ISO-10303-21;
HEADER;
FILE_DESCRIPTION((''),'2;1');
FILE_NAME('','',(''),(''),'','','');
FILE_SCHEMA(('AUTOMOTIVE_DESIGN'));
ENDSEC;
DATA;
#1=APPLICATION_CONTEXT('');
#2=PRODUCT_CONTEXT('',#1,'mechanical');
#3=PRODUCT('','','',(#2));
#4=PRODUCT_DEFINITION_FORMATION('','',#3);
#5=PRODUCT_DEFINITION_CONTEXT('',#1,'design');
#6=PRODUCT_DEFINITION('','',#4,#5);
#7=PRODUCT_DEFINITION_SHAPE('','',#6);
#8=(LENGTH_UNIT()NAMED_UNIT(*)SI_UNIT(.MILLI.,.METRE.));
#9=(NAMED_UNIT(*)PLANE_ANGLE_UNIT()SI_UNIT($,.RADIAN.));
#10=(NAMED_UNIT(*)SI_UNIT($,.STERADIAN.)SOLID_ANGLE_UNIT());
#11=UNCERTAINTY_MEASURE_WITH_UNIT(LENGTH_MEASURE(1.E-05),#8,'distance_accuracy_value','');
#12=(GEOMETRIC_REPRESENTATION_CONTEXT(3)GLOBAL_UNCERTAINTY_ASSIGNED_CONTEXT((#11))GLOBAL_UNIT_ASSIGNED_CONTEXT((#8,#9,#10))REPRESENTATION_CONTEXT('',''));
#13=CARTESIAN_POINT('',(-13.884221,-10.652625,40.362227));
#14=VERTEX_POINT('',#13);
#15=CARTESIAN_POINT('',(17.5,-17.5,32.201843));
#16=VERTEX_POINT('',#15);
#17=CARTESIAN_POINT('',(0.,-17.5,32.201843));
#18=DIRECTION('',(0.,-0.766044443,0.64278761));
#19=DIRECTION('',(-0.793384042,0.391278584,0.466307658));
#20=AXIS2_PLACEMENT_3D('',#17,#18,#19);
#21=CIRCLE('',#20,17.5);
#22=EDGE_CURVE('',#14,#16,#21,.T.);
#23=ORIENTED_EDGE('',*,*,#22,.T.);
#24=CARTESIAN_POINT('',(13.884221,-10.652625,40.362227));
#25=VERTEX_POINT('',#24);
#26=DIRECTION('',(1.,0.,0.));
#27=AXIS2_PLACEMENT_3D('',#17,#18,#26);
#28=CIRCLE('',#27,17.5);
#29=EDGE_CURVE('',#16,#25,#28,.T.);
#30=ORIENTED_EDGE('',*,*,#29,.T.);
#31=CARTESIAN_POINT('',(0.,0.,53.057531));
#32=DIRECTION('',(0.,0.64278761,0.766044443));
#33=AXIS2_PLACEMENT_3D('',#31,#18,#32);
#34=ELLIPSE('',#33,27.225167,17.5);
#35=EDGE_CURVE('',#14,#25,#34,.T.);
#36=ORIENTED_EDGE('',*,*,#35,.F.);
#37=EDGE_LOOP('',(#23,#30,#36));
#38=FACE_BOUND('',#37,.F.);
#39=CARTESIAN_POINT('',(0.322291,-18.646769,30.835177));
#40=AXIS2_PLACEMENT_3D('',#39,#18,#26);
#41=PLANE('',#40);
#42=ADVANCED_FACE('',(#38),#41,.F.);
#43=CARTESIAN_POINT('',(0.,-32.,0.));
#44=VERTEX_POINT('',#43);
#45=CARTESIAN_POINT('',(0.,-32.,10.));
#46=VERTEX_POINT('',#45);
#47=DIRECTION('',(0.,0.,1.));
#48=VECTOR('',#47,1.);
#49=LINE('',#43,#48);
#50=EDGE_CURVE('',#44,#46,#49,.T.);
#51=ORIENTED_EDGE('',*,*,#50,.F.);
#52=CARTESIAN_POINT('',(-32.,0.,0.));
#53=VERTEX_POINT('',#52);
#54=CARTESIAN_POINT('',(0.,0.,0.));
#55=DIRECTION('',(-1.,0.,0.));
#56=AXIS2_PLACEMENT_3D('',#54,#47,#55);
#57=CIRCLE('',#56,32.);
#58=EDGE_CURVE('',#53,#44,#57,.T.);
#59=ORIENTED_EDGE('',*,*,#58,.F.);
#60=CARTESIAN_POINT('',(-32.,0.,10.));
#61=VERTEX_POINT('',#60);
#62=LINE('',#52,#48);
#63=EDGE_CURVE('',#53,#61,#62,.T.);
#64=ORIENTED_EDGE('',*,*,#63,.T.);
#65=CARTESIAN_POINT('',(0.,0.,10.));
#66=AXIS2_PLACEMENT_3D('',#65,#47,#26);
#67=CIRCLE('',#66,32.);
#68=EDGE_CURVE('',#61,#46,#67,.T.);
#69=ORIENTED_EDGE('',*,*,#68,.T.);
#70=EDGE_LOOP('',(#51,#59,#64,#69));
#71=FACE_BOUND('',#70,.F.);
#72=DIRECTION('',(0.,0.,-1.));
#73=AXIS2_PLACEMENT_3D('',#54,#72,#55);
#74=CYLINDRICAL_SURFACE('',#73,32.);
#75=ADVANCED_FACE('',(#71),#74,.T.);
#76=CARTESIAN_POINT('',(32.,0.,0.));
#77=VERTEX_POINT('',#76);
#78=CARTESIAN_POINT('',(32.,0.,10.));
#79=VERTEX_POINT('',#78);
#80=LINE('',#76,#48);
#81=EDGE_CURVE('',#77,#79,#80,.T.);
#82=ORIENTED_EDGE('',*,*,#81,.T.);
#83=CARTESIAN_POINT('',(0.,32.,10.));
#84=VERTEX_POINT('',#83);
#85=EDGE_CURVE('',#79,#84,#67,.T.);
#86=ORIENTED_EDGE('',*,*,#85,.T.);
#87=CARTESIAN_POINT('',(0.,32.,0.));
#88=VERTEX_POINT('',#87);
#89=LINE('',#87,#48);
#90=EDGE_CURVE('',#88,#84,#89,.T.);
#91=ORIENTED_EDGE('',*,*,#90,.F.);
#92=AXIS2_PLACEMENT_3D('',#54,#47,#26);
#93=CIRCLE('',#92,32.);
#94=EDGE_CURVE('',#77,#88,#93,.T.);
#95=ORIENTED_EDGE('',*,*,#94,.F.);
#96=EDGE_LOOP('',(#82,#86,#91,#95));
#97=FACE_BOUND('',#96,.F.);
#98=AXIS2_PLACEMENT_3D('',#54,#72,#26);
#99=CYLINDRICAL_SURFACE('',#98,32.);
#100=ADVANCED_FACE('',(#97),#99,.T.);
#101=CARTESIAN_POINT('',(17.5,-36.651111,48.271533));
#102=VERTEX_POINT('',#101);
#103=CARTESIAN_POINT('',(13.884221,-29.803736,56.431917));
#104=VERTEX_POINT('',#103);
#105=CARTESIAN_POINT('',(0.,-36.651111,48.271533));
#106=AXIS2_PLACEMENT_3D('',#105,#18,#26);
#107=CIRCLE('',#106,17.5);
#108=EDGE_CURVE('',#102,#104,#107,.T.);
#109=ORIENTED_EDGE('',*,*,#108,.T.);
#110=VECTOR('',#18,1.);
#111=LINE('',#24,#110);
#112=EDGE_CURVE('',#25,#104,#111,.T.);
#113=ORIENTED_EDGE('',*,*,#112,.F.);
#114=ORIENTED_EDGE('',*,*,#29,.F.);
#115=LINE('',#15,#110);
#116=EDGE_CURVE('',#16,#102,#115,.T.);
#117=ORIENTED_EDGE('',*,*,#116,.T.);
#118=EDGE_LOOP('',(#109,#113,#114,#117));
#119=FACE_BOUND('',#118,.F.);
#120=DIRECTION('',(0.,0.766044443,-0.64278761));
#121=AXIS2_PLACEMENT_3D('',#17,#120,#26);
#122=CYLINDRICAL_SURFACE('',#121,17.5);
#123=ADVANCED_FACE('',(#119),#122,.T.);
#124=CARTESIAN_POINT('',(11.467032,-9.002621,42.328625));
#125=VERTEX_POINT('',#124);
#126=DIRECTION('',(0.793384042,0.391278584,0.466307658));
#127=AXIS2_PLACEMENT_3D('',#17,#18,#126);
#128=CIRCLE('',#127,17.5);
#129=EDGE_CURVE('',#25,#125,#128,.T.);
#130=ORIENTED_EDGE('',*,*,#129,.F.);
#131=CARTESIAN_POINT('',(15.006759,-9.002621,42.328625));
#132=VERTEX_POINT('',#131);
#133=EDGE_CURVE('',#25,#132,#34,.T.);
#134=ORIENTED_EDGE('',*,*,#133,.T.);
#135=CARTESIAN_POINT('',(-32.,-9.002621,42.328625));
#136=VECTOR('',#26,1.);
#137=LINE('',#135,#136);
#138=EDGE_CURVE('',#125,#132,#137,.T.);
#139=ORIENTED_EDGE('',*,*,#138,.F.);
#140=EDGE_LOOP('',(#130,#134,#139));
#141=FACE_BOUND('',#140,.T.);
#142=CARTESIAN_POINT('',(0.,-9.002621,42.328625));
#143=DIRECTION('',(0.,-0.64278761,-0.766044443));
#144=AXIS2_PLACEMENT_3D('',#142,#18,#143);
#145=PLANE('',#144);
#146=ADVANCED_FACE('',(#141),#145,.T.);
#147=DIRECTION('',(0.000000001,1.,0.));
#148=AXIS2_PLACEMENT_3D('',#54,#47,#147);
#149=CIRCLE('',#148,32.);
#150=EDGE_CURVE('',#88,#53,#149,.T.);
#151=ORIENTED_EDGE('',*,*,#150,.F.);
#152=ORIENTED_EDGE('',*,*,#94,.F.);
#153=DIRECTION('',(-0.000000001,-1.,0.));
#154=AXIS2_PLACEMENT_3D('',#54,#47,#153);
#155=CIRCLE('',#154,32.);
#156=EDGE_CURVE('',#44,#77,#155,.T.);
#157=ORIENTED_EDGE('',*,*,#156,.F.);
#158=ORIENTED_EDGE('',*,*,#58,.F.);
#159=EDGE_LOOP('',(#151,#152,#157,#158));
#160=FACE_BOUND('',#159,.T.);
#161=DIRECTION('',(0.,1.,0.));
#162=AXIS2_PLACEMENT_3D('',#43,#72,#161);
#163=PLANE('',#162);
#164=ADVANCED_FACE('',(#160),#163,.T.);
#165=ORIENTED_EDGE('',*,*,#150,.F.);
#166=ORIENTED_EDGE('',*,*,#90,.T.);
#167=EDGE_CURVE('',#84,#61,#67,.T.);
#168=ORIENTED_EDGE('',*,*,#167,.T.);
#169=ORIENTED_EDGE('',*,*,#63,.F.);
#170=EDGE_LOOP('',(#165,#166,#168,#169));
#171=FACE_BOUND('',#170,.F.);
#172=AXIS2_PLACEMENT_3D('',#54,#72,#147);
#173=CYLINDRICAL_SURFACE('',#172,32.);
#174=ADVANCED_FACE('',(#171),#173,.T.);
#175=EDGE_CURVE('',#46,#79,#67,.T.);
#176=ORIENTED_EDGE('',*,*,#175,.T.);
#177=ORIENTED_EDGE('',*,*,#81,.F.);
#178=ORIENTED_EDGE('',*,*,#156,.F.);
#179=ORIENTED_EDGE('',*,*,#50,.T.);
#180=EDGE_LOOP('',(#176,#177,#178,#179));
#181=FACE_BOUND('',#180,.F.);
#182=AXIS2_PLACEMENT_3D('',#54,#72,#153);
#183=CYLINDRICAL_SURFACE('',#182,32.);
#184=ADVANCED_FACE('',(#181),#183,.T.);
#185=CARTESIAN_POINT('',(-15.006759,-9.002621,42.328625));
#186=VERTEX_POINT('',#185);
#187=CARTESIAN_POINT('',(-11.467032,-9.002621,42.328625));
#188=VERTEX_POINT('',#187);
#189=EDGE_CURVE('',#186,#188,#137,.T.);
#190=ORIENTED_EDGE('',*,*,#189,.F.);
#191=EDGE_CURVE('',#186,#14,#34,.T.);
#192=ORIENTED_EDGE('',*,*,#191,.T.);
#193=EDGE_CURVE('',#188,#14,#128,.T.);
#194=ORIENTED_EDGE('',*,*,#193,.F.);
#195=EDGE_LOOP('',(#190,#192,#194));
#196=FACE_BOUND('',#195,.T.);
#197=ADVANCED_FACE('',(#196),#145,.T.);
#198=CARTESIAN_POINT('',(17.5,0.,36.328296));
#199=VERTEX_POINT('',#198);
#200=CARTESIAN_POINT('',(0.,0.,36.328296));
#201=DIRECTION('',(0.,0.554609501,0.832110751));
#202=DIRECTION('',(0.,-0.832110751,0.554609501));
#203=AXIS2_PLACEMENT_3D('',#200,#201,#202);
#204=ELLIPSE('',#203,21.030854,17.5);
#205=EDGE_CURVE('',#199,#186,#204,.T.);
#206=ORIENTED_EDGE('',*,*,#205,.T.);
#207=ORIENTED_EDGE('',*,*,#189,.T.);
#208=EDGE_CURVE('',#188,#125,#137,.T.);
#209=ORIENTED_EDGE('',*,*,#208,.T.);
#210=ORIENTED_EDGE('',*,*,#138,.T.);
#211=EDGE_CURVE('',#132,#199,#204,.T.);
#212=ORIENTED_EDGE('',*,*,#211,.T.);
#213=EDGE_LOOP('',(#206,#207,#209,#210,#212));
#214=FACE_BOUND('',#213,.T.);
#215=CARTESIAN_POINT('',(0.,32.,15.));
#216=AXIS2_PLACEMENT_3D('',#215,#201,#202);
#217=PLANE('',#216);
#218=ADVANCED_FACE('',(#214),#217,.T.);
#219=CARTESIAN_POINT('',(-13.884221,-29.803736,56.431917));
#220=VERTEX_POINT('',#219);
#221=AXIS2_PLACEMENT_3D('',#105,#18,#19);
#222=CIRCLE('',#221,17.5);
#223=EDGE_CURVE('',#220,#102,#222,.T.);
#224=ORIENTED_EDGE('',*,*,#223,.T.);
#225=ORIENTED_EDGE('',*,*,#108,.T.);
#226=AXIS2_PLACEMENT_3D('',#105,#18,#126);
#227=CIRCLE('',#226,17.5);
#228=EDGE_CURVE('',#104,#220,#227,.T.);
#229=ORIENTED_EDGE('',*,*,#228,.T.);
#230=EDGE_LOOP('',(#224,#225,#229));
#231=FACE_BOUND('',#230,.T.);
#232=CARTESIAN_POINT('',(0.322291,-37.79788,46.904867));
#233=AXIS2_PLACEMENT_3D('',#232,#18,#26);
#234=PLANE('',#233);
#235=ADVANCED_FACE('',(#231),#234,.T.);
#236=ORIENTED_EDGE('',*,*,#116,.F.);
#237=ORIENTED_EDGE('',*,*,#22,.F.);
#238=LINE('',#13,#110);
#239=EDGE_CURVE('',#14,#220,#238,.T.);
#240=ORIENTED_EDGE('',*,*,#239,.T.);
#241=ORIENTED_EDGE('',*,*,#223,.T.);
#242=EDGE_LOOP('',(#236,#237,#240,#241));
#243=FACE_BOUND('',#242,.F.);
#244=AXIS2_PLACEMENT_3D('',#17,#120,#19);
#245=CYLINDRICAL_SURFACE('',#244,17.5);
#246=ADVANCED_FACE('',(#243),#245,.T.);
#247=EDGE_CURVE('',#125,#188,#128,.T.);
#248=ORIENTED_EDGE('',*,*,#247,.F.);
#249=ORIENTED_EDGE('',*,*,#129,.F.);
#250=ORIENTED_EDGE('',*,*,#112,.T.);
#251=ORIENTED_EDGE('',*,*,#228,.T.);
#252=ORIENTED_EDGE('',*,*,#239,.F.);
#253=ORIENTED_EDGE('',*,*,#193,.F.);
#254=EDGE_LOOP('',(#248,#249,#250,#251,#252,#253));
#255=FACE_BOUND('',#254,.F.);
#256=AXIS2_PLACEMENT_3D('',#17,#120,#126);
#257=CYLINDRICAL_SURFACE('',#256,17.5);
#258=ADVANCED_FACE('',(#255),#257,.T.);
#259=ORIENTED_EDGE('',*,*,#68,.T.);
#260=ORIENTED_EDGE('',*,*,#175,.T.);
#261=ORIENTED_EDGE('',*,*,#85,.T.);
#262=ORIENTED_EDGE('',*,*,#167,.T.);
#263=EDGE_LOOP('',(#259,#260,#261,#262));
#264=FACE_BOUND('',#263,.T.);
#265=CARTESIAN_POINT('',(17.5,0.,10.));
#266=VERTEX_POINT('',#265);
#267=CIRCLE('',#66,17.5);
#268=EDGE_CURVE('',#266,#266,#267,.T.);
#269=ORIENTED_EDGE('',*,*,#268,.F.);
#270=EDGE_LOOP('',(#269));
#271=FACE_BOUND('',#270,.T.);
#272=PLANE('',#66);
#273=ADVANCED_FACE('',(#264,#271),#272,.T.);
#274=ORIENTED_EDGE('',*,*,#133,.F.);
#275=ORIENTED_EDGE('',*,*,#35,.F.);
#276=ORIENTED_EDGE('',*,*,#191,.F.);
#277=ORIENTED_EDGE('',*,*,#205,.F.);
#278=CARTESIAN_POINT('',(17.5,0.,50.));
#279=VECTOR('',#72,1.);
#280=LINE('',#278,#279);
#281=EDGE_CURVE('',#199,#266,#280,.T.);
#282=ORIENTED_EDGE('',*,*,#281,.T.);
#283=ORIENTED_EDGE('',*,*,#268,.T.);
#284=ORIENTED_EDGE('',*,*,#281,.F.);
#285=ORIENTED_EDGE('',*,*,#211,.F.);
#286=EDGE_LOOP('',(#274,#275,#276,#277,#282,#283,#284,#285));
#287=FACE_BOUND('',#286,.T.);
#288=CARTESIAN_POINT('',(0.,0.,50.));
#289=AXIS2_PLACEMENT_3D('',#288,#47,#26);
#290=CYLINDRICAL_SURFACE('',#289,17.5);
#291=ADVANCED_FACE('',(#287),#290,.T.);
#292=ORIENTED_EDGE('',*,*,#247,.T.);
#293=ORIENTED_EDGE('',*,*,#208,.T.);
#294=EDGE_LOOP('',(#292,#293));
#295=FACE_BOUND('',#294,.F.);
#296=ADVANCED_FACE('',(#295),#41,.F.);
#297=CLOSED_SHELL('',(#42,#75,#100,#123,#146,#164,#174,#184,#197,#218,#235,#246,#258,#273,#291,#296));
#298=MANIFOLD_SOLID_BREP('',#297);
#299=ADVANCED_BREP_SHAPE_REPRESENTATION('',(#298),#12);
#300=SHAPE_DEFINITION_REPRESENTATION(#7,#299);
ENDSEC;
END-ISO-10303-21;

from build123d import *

# Parameters (mm, degrees)
F1_DEPTH = 32
F3_DEPTH = 50
F5_R     = 32
F5_R_2   = 17.5
F6_DEPTH = 40
F8_DEPTH = 25


with BuildPart() as f1:
    # F0 (on Right) → F1 (new body, symmetric)
    with BuildSketch(Plane.YZ):
        Polygon((-3.1593232416, 15), (32, 15), (-9.0026206753, 42.3286253849), (-31.9340601563, 15), align=None)
        Polygon((-32, 0), (32, 0), (32, 15), (-3.1593232416, 15), (-31.9340601563, 15), (-32, 15), align=None)
    extrude(amount=F1_DEPTH, both=True)

    # F2 (on face) → F3 (cut)
    with BuildSketch(Plane(origin=(0, 0, 0), x_dir=(1, 0, 0), z_dir=(0, 0, -1))):
        with BuildLine():
            ThreePointArc((-32, 0), (-22.6274170148, 22.6274169811), (-4.77e-08, 32))
            Line((-4.77e-08, 32), (-32, 32))
            Line((-32, 32), (-32, 0))
        make_face()
        with BuildLine():
            ThreePointArc((-4.77e-08, 32), (22.6274169811, 22.6274170148), (32, 0))
            Line((32, 0), (32, 32))
            Line((32, 32), (-4.77e-08, 32))
        make_face()
        with BuildLine():
            Line((32, -32), (32, 0))
            ThreePointArc((32, 0), (22.6274170148, -22.6274169811), (4.77e-08, -32))
            Line((4.77e-08, -32), (32, -32))
        make_face()
        with BuildLine():
            Line((-32, -32), (4.77e-08, -32))
            ThreePointArc((4.77e-08, -32), (-22.6274169811, -22.6274170148), (-32, 0))
            Line((-32, 0), (-32, -32))
        make_face()
    extrude(amount=-F3_DEPTH, mode=Mode.SUBTRACT)

    # F5 (on offset) → F6 (cut)
    with BuildSketch(Plane.XY.offset(50)):
        Circle(F5_R)
        Circle(F5_R_2, mode=Mode.SUBTRACT)
    extrude(amount=-F6_DEPTH, mode=Mode.SUBTRACT)

    # F7 (on face) → F8 (join)
    with BuildSketch(Plane(origin=(0, -26.1257339016, 21.9220936811), x_dir=(1, 0, 0), z_dir=(0, -0.7660444431, 0.6427876097))):
        with BuildLine():
            ThreePointArc((-13.8842207303, 24.0718845353), (-5.6247727608, -3.1521593573), (17.5, 13.4192597549))
            ThreePointArc((17.5, 13.4192597549), (16.5714191121, 19.0440325156), (13.8842207303, 24.0718845353))
            add(Edge.make_bspline(
                [(-13.8842207303, 24.0718845353), (0, -4.0807402451), (13.8842207303, 24.0718845353)],
                knots=[2.2441013689, 2.2441013689, 2.2441013689, 4.0390839383, 4.0390839383, 4.0390839383], degree=2, weights=[0.9413907542, 0.5730447129, 0.9413907542]))
        make_face()
        with BuildLine():
            add(Edge.make_bspline(
                [(-13.8842207303, 24.0718845353), (0, -4.0807402451), (13.8842207303, 24.0718845353)],
                knots=[2.2441013689, 2.2441013689, 2.2441013689, 4.0390839383, 4.0390839383, 4.0390839383], degree=2, weights=[0.9413907542, 0.5730447129, 0.9413907542]))
            ThreePointArc((13.8842207303, 24.0718845353), (12.7404400783, 25.4163921877), (11.4670320525, 26.6388352362))
            Line((11.4670320525, 26.6388352362), (-11.4670320525, 26.6388352362))
            ThreePointArc((-11.4670320525, 26.6388352362), (-12.7404400783, 25.4163921877), (-13.8842207303, 24.0718845353))
        make_face()
        with BuildLine():
            Line((-11.4670320525, 26.6388352362), (11.4670320525, 26.6388352362))
            ThreePointArc((11.4670320525, 26.6388352362), (0, 30.9192597549), (-11.4670320525, 26.6388352362))
        make_face()
    extrude(amount=F8_DEPTH)


solid = f1.part
